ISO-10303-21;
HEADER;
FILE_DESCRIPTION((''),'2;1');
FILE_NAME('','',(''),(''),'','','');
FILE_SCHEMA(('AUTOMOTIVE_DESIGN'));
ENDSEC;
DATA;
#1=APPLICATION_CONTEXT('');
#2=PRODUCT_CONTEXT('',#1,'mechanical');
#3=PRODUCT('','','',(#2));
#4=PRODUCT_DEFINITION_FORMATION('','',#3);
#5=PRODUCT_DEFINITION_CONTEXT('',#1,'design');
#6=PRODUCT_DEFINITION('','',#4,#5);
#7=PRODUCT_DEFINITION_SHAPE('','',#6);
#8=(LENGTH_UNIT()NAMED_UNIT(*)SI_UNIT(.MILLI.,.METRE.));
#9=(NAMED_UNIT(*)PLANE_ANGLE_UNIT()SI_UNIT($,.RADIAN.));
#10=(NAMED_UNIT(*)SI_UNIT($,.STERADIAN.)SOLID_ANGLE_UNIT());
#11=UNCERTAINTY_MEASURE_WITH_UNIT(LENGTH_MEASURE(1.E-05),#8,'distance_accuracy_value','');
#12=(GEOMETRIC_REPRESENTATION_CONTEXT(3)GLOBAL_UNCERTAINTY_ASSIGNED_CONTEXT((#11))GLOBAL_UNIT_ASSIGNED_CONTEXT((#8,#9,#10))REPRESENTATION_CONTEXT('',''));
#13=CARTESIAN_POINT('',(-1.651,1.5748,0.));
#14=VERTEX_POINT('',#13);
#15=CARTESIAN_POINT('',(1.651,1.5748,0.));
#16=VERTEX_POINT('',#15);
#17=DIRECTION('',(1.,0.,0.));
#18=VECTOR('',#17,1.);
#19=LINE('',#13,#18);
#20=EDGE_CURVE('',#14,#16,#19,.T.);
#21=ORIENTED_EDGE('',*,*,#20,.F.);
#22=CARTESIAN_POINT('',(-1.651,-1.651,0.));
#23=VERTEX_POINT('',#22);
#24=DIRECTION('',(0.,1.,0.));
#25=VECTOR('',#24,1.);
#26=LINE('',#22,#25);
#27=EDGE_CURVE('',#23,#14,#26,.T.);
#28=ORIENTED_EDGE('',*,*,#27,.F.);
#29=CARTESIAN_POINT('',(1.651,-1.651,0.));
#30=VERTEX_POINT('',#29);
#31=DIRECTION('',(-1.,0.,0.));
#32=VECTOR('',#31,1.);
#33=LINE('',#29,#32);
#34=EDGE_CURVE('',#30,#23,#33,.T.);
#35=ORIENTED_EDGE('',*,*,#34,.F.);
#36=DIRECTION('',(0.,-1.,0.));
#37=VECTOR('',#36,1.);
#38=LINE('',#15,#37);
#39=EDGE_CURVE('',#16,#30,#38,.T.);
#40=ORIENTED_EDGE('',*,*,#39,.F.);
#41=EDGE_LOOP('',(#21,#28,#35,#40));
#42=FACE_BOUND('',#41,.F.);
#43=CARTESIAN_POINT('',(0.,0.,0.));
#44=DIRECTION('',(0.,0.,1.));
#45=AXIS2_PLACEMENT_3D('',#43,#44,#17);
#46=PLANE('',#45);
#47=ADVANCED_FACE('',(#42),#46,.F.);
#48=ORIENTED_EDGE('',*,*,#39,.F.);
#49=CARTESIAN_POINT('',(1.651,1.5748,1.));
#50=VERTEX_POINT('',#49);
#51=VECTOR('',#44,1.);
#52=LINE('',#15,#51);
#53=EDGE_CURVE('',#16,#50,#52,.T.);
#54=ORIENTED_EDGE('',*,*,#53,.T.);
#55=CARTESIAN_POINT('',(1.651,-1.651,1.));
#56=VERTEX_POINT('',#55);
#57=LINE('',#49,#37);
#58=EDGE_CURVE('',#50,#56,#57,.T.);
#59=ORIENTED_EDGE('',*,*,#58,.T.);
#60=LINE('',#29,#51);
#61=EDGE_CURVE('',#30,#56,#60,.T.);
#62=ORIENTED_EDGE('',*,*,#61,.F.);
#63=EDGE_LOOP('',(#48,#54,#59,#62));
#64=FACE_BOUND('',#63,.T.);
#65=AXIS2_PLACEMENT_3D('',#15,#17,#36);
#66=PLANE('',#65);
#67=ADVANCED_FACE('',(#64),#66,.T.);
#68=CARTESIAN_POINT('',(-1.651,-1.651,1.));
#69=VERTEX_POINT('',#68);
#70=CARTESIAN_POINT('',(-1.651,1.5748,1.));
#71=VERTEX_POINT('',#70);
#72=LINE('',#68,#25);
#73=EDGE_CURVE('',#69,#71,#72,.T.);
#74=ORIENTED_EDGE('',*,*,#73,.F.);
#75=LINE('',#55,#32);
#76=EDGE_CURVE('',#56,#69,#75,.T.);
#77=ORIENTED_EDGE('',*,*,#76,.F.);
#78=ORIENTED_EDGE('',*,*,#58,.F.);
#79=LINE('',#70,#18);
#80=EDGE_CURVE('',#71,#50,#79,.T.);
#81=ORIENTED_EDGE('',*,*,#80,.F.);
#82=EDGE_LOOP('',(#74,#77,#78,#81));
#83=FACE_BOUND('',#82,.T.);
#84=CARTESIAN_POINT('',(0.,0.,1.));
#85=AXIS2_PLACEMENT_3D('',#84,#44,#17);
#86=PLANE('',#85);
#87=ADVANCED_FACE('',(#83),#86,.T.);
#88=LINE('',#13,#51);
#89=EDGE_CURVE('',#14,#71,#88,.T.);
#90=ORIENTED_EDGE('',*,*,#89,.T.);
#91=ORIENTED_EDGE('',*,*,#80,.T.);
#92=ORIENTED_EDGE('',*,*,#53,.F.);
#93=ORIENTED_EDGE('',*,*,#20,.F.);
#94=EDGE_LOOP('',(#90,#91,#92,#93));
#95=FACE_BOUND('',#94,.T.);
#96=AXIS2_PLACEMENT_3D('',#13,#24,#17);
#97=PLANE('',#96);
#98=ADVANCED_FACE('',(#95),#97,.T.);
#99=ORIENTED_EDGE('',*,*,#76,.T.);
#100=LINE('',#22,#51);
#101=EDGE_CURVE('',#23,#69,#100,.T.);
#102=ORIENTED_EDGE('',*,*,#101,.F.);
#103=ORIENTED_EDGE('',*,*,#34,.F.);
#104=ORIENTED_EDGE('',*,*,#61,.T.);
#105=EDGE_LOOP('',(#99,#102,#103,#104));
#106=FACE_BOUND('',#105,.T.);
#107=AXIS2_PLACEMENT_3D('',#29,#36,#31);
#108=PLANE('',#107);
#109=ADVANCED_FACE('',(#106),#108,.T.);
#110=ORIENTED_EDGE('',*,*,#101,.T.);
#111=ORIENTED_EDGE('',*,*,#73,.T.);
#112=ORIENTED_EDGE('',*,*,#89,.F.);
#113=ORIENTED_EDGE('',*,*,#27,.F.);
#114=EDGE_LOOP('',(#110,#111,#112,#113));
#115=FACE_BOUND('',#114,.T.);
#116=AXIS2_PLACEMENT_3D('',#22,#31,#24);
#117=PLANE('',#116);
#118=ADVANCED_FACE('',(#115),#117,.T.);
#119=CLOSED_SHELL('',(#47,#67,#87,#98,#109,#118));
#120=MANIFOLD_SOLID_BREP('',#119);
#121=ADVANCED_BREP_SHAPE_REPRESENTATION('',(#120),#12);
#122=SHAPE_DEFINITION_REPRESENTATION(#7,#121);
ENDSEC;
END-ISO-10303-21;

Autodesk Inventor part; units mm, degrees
ref_plane "YZ Plane" through (0, 0, 0) normal (1, 0, 0) x (0, 1, 0)
ref_plane "XZ Plane" through (0, 0, 0) normal (0, 1, 0) x (-1, 0, 0)
ref_plane "XY Plane" through (0, 0, 0) normal (0, 0, 1) x (1, 0, 0)
sketch "SON50P300X300X100-11N, TPS63001DRCR_109" plane through (0, 0, 0) normal (0, 0, 1) x (1, 0, 0)
  line L0 (-1.651, 1.5748) -> (1.651, 1.5748)
  line L1 (1.651, 1.5748) -> (1.651, -1.651)
  line L2 (1.651, -1.651) -> (-1.651, -1.651)
  line L3 (-1.651, -1.651) -> (-1.651, 1.5748)
extrude "Extrusion1" add sketch "SON50P300X300X100-11N, TPS63001DRCR_109" along normal blind 1
properties part number "TPS63001DRCR"
